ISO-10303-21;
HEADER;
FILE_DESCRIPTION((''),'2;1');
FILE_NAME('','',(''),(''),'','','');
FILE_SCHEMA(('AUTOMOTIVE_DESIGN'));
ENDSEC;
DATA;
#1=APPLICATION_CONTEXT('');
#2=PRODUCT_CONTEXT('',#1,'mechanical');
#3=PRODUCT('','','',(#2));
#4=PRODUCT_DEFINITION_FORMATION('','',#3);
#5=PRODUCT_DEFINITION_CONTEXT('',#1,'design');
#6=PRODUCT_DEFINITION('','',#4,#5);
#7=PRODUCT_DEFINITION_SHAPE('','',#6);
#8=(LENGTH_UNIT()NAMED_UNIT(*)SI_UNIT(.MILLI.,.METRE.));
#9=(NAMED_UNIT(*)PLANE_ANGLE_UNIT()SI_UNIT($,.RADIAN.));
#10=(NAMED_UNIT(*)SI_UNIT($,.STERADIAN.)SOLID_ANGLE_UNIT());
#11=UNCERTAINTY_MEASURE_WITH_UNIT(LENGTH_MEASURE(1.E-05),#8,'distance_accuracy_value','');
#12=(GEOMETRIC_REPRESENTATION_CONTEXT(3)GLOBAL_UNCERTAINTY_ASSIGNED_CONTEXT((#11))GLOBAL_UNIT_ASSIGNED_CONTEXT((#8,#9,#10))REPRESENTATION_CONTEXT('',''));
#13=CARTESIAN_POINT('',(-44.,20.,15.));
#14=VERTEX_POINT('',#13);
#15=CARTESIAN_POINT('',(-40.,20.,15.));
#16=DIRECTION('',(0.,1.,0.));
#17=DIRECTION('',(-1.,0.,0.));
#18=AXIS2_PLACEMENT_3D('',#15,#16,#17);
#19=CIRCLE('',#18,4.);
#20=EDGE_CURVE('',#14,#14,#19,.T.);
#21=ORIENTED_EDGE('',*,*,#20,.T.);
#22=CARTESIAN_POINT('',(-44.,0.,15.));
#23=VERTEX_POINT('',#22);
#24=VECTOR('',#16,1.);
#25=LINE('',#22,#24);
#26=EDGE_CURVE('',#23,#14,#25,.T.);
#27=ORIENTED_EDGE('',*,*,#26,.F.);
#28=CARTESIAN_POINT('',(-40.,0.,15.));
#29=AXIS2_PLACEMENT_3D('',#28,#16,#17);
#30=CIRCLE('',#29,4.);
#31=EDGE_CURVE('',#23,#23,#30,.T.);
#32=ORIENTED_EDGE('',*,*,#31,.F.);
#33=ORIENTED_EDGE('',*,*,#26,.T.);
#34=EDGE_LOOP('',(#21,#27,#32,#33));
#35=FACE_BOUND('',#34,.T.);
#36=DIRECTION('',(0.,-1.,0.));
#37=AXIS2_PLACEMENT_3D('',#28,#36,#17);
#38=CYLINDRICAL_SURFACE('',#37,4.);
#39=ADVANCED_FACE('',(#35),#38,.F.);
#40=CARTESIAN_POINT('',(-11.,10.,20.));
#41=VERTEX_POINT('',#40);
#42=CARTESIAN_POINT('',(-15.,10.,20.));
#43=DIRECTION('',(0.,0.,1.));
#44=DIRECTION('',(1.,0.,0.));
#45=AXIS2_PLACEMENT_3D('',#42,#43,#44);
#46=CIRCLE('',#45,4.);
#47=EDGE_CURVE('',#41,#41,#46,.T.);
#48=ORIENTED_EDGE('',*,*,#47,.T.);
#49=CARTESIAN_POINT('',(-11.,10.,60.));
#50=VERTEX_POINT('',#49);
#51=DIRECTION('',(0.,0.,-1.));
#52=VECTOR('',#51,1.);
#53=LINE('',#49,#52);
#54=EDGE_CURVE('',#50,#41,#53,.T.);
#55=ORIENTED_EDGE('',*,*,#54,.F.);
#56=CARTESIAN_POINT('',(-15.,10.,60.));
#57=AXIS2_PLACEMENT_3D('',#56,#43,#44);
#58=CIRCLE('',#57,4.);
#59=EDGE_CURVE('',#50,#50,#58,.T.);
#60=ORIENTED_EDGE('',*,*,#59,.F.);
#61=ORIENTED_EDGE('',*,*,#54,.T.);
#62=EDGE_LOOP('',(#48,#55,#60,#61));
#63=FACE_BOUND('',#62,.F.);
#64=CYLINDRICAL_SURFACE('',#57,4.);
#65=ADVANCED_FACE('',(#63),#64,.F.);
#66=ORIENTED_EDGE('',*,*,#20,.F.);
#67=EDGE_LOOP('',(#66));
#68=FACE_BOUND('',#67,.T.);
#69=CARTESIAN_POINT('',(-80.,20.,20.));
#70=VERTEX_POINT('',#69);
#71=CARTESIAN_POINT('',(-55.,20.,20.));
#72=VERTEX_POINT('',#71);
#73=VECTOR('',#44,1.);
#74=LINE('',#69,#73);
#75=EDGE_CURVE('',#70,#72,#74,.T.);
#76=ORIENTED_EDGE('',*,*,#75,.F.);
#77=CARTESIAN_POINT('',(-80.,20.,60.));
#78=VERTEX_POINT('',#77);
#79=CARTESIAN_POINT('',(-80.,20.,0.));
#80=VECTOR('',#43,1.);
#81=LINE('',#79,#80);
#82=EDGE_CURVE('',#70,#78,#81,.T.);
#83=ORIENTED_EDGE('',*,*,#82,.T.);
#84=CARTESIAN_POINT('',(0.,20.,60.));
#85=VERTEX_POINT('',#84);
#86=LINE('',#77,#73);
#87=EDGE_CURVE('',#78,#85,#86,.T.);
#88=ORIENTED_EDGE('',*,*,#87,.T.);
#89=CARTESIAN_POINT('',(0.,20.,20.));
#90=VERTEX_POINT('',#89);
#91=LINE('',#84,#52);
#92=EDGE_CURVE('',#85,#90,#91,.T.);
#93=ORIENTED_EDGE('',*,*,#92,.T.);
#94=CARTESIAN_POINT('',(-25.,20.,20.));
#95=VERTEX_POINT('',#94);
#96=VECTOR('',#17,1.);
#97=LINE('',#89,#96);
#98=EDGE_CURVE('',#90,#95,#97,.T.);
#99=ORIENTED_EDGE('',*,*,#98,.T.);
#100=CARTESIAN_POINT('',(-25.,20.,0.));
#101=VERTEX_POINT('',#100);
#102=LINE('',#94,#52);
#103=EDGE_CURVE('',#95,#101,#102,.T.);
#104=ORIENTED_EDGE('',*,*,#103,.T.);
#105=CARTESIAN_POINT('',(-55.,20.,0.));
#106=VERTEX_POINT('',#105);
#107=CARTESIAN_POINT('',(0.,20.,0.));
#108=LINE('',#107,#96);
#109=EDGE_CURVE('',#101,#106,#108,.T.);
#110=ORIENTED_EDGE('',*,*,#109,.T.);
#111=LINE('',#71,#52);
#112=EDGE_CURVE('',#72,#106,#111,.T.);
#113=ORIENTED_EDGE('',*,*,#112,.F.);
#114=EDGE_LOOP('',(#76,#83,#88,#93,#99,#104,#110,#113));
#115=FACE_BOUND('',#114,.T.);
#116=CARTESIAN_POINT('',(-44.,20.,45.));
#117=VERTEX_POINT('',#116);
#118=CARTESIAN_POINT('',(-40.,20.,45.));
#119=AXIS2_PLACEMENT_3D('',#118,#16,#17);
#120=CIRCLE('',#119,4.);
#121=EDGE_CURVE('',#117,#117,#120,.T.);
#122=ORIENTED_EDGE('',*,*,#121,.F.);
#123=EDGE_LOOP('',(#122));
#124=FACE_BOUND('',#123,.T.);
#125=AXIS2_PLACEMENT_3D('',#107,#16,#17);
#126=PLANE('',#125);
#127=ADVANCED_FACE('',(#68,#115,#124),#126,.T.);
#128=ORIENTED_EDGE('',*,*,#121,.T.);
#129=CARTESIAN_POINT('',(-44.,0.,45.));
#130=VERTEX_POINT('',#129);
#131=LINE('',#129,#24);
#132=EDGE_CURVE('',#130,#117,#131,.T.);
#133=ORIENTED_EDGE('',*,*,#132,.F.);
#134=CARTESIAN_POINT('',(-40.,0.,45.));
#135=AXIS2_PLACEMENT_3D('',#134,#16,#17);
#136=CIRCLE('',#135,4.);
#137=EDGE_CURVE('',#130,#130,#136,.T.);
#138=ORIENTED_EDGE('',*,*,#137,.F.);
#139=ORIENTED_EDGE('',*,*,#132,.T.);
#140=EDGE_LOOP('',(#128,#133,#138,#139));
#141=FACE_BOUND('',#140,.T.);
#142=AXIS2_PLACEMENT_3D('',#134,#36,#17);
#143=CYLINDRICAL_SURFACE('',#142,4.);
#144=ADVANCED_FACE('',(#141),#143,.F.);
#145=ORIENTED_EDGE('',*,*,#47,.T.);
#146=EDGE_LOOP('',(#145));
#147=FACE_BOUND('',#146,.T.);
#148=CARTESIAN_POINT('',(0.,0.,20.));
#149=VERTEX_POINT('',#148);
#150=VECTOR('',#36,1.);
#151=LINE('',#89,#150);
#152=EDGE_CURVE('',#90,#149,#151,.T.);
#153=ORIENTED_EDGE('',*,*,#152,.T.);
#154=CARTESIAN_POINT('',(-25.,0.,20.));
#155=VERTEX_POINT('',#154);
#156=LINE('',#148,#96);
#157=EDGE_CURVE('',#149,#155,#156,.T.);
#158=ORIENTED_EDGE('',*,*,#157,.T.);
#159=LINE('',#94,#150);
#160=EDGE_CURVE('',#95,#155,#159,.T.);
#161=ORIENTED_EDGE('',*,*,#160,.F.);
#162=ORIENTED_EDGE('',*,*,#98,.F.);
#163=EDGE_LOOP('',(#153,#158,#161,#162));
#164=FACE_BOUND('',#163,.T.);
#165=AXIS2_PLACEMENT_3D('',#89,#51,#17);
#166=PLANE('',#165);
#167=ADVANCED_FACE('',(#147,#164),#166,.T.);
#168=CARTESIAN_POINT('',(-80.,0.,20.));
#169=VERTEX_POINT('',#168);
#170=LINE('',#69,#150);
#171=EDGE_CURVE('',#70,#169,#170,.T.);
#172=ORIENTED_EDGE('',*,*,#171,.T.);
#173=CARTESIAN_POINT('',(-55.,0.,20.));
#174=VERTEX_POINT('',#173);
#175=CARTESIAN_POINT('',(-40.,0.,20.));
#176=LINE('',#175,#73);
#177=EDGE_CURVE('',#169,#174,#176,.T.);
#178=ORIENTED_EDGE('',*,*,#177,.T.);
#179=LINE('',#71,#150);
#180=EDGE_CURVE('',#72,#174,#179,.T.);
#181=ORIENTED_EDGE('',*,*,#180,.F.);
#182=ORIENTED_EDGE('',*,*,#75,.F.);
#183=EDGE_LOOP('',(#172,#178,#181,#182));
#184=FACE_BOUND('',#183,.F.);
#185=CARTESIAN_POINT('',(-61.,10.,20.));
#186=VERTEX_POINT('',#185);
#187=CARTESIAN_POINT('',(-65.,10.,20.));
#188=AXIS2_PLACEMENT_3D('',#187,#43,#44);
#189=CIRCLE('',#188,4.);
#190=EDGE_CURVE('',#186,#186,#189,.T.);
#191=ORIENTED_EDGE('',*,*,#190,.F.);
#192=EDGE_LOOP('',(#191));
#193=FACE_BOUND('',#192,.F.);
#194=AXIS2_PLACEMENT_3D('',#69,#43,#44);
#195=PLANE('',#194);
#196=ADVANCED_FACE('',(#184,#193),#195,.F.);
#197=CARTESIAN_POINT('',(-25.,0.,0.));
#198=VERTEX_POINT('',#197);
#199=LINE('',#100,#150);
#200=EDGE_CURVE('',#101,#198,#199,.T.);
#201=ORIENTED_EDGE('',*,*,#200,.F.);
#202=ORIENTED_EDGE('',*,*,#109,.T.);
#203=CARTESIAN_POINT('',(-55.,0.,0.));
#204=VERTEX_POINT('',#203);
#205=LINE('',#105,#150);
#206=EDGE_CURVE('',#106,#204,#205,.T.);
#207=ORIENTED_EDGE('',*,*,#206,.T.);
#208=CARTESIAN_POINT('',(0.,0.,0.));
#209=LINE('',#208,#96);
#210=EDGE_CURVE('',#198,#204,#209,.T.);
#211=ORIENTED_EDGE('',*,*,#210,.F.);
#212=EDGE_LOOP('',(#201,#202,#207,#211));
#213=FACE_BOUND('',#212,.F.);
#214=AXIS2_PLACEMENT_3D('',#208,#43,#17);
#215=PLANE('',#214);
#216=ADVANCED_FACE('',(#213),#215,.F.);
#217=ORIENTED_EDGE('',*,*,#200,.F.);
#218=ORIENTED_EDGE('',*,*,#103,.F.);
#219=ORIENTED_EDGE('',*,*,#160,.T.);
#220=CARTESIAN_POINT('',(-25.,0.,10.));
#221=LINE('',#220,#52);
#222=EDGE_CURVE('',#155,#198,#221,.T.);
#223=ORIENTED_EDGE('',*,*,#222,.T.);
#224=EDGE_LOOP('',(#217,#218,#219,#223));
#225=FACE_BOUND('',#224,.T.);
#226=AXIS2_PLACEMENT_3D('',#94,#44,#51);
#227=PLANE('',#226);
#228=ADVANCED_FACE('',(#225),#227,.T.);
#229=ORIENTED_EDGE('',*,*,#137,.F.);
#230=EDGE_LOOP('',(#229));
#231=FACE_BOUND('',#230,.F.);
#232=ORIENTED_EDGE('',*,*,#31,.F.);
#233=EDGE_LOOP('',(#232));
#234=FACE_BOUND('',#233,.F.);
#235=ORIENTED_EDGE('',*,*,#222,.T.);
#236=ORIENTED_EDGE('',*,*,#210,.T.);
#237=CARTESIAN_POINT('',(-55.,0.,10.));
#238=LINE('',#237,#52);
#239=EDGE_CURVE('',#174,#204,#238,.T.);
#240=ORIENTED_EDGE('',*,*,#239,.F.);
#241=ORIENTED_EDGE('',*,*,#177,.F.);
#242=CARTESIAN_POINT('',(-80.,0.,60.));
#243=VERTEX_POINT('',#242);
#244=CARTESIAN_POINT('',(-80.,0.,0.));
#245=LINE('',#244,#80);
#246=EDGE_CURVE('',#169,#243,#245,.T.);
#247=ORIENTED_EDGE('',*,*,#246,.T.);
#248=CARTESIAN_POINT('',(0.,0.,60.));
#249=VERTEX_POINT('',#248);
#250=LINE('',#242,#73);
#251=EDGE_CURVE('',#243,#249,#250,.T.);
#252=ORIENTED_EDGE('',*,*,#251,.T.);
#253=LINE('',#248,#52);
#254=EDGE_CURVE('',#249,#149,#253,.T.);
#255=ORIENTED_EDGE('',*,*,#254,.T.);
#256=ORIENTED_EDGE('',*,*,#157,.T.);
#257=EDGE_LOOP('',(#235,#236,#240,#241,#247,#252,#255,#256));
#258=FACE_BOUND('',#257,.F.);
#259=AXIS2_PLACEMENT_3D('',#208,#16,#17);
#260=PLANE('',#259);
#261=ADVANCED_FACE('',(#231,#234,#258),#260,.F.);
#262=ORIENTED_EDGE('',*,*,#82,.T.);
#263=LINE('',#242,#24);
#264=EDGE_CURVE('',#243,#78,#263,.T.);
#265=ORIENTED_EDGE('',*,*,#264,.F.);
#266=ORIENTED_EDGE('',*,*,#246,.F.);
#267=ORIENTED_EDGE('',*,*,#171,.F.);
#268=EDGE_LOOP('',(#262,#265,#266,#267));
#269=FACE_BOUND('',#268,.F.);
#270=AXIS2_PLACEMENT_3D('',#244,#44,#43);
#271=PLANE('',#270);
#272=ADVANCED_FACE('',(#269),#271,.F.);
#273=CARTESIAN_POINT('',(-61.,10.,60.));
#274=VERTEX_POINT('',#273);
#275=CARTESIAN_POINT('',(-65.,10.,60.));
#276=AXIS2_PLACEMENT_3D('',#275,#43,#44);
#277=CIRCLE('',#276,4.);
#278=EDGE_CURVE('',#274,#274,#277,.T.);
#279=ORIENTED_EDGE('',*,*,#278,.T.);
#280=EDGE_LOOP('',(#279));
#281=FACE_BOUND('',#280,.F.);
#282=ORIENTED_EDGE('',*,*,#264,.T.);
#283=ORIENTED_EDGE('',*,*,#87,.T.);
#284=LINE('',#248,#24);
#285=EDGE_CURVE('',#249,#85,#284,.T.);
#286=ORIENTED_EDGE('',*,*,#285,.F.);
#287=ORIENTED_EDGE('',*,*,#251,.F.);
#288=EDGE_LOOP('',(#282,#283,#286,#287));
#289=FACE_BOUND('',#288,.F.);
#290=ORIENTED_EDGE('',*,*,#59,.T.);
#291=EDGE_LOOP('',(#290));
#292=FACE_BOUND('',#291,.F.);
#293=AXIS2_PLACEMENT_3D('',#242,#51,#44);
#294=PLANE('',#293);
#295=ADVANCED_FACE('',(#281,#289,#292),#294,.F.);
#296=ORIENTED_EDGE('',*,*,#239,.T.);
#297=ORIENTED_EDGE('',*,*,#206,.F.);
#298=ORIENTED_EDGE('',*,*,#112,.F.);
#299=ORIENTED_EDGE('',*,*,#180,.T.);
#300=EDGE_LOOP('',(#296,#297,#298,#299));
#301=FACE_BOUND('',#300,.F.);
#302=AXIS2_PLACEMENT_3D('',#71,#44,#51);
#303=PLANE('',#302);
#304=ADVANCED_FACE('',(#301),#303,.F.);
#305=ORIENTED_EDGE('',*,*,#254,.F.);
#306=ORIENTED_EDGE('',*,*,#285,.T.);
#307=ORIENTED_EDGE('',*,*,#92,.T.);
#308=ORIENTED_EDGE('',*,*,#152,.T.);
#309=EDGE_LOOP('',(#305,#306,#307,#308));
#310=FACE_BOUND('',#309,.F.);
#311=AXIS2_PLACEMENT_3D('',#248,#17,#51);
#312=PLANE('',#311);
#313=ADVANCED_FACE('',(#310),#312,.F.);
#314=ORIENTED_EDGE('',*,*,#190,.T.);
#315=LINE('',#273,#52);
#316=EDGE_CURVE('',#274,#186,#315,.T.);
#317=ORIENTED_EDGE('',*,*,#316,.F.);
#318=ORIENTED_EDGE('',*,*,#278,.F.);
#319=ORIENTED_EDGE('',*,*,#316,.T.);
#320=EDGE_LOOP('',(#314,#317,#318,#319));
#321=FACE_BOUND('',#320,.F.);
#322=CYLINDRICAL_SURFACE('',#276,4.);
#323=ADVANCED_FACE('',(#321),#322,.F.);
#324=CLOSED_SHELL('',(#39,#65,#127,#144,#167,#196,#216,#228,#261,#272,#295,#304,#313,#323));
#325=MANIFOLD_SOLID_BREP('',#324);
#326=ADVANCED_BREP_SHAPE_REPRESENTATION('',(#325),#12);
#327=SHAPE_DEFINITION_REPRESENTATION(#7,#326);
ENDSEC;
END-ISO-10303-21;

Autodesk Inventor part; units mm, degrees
ref_plane "YZ Plane" through (0, 0, 0) normal (1, 0, 0) x (0, 1, 0)
ref_plane "XZ Plane" through (0, 0, 0) normal (0, 1, 0) x (-1, 0, 0)
ref_plane "XY Plane" through (0, 0, 0) normal (0, 0, 1) x (1, 0, 0)
sketch "Sketch1" plane through (0, 0, 0) normal (0, 1, 0) x (-1, 0, 0)
  line L0 (0, 0) -> (80, 0)
  line L1 (80, 0) -> (80, 60)
  line L2 (80, 60) -> (0, 60)
  line L3 (0, 60) -> (0, 0)
  circle A0 centre (40, 45) radius 4
  circle A1 centre (40, 15) radius 4
  dimension "d0" = 80
  dimension "d1" = 60
  dimension "d4" = 8
  dimension "d5" = 8
extrude "Extrusion1" add sketch "Sketch1" along normal blind 20
sketch "Sketch2" plane through (-80, 0, 60) normal (0, 0, 1) x (1, 0, 0)
  circle A0 centre (15, 10) radius 4
  circle A1 centre (65, 10) radius 4
  dimension "d10" = 8
  dimension "d11" = 8
extrude "Extrusion2" cut sketch "Sketch2" against normal blind 60
sketch "Sketch3" plane through (0, 20, 0) normal (0, 1, 0) x (1, 0, 0)
  line L0 (0, 0) -> (-80, 0) projected
  line L1 (-80, 0) -> (-80, -60) projected
  line L2 (0, -60) -> (0, 0) projected
  line L3 (-40, 0) -> (-25, 0)
  line L4 (-40, 0) -> (-55, 0)
  line L5 (-80, -60) -> (-80, -20)
  line L6 (-80, -20) -> (-55, -20)
  line L7 (-55, -20) -> (-55, 0)
  line L8 (0, -20) -> (-25, -20)
  line L9 (-25, -20) -> (-25, 0)
  dimension "d14" = 15
  dimension "d15" = 15
  dimension "d16" = 40
extrude "Extrusion3" cut sketch "Sketch3" against normal blind 60
properties part number "X_Bottem_MotorSide_V3" material "Birch"
